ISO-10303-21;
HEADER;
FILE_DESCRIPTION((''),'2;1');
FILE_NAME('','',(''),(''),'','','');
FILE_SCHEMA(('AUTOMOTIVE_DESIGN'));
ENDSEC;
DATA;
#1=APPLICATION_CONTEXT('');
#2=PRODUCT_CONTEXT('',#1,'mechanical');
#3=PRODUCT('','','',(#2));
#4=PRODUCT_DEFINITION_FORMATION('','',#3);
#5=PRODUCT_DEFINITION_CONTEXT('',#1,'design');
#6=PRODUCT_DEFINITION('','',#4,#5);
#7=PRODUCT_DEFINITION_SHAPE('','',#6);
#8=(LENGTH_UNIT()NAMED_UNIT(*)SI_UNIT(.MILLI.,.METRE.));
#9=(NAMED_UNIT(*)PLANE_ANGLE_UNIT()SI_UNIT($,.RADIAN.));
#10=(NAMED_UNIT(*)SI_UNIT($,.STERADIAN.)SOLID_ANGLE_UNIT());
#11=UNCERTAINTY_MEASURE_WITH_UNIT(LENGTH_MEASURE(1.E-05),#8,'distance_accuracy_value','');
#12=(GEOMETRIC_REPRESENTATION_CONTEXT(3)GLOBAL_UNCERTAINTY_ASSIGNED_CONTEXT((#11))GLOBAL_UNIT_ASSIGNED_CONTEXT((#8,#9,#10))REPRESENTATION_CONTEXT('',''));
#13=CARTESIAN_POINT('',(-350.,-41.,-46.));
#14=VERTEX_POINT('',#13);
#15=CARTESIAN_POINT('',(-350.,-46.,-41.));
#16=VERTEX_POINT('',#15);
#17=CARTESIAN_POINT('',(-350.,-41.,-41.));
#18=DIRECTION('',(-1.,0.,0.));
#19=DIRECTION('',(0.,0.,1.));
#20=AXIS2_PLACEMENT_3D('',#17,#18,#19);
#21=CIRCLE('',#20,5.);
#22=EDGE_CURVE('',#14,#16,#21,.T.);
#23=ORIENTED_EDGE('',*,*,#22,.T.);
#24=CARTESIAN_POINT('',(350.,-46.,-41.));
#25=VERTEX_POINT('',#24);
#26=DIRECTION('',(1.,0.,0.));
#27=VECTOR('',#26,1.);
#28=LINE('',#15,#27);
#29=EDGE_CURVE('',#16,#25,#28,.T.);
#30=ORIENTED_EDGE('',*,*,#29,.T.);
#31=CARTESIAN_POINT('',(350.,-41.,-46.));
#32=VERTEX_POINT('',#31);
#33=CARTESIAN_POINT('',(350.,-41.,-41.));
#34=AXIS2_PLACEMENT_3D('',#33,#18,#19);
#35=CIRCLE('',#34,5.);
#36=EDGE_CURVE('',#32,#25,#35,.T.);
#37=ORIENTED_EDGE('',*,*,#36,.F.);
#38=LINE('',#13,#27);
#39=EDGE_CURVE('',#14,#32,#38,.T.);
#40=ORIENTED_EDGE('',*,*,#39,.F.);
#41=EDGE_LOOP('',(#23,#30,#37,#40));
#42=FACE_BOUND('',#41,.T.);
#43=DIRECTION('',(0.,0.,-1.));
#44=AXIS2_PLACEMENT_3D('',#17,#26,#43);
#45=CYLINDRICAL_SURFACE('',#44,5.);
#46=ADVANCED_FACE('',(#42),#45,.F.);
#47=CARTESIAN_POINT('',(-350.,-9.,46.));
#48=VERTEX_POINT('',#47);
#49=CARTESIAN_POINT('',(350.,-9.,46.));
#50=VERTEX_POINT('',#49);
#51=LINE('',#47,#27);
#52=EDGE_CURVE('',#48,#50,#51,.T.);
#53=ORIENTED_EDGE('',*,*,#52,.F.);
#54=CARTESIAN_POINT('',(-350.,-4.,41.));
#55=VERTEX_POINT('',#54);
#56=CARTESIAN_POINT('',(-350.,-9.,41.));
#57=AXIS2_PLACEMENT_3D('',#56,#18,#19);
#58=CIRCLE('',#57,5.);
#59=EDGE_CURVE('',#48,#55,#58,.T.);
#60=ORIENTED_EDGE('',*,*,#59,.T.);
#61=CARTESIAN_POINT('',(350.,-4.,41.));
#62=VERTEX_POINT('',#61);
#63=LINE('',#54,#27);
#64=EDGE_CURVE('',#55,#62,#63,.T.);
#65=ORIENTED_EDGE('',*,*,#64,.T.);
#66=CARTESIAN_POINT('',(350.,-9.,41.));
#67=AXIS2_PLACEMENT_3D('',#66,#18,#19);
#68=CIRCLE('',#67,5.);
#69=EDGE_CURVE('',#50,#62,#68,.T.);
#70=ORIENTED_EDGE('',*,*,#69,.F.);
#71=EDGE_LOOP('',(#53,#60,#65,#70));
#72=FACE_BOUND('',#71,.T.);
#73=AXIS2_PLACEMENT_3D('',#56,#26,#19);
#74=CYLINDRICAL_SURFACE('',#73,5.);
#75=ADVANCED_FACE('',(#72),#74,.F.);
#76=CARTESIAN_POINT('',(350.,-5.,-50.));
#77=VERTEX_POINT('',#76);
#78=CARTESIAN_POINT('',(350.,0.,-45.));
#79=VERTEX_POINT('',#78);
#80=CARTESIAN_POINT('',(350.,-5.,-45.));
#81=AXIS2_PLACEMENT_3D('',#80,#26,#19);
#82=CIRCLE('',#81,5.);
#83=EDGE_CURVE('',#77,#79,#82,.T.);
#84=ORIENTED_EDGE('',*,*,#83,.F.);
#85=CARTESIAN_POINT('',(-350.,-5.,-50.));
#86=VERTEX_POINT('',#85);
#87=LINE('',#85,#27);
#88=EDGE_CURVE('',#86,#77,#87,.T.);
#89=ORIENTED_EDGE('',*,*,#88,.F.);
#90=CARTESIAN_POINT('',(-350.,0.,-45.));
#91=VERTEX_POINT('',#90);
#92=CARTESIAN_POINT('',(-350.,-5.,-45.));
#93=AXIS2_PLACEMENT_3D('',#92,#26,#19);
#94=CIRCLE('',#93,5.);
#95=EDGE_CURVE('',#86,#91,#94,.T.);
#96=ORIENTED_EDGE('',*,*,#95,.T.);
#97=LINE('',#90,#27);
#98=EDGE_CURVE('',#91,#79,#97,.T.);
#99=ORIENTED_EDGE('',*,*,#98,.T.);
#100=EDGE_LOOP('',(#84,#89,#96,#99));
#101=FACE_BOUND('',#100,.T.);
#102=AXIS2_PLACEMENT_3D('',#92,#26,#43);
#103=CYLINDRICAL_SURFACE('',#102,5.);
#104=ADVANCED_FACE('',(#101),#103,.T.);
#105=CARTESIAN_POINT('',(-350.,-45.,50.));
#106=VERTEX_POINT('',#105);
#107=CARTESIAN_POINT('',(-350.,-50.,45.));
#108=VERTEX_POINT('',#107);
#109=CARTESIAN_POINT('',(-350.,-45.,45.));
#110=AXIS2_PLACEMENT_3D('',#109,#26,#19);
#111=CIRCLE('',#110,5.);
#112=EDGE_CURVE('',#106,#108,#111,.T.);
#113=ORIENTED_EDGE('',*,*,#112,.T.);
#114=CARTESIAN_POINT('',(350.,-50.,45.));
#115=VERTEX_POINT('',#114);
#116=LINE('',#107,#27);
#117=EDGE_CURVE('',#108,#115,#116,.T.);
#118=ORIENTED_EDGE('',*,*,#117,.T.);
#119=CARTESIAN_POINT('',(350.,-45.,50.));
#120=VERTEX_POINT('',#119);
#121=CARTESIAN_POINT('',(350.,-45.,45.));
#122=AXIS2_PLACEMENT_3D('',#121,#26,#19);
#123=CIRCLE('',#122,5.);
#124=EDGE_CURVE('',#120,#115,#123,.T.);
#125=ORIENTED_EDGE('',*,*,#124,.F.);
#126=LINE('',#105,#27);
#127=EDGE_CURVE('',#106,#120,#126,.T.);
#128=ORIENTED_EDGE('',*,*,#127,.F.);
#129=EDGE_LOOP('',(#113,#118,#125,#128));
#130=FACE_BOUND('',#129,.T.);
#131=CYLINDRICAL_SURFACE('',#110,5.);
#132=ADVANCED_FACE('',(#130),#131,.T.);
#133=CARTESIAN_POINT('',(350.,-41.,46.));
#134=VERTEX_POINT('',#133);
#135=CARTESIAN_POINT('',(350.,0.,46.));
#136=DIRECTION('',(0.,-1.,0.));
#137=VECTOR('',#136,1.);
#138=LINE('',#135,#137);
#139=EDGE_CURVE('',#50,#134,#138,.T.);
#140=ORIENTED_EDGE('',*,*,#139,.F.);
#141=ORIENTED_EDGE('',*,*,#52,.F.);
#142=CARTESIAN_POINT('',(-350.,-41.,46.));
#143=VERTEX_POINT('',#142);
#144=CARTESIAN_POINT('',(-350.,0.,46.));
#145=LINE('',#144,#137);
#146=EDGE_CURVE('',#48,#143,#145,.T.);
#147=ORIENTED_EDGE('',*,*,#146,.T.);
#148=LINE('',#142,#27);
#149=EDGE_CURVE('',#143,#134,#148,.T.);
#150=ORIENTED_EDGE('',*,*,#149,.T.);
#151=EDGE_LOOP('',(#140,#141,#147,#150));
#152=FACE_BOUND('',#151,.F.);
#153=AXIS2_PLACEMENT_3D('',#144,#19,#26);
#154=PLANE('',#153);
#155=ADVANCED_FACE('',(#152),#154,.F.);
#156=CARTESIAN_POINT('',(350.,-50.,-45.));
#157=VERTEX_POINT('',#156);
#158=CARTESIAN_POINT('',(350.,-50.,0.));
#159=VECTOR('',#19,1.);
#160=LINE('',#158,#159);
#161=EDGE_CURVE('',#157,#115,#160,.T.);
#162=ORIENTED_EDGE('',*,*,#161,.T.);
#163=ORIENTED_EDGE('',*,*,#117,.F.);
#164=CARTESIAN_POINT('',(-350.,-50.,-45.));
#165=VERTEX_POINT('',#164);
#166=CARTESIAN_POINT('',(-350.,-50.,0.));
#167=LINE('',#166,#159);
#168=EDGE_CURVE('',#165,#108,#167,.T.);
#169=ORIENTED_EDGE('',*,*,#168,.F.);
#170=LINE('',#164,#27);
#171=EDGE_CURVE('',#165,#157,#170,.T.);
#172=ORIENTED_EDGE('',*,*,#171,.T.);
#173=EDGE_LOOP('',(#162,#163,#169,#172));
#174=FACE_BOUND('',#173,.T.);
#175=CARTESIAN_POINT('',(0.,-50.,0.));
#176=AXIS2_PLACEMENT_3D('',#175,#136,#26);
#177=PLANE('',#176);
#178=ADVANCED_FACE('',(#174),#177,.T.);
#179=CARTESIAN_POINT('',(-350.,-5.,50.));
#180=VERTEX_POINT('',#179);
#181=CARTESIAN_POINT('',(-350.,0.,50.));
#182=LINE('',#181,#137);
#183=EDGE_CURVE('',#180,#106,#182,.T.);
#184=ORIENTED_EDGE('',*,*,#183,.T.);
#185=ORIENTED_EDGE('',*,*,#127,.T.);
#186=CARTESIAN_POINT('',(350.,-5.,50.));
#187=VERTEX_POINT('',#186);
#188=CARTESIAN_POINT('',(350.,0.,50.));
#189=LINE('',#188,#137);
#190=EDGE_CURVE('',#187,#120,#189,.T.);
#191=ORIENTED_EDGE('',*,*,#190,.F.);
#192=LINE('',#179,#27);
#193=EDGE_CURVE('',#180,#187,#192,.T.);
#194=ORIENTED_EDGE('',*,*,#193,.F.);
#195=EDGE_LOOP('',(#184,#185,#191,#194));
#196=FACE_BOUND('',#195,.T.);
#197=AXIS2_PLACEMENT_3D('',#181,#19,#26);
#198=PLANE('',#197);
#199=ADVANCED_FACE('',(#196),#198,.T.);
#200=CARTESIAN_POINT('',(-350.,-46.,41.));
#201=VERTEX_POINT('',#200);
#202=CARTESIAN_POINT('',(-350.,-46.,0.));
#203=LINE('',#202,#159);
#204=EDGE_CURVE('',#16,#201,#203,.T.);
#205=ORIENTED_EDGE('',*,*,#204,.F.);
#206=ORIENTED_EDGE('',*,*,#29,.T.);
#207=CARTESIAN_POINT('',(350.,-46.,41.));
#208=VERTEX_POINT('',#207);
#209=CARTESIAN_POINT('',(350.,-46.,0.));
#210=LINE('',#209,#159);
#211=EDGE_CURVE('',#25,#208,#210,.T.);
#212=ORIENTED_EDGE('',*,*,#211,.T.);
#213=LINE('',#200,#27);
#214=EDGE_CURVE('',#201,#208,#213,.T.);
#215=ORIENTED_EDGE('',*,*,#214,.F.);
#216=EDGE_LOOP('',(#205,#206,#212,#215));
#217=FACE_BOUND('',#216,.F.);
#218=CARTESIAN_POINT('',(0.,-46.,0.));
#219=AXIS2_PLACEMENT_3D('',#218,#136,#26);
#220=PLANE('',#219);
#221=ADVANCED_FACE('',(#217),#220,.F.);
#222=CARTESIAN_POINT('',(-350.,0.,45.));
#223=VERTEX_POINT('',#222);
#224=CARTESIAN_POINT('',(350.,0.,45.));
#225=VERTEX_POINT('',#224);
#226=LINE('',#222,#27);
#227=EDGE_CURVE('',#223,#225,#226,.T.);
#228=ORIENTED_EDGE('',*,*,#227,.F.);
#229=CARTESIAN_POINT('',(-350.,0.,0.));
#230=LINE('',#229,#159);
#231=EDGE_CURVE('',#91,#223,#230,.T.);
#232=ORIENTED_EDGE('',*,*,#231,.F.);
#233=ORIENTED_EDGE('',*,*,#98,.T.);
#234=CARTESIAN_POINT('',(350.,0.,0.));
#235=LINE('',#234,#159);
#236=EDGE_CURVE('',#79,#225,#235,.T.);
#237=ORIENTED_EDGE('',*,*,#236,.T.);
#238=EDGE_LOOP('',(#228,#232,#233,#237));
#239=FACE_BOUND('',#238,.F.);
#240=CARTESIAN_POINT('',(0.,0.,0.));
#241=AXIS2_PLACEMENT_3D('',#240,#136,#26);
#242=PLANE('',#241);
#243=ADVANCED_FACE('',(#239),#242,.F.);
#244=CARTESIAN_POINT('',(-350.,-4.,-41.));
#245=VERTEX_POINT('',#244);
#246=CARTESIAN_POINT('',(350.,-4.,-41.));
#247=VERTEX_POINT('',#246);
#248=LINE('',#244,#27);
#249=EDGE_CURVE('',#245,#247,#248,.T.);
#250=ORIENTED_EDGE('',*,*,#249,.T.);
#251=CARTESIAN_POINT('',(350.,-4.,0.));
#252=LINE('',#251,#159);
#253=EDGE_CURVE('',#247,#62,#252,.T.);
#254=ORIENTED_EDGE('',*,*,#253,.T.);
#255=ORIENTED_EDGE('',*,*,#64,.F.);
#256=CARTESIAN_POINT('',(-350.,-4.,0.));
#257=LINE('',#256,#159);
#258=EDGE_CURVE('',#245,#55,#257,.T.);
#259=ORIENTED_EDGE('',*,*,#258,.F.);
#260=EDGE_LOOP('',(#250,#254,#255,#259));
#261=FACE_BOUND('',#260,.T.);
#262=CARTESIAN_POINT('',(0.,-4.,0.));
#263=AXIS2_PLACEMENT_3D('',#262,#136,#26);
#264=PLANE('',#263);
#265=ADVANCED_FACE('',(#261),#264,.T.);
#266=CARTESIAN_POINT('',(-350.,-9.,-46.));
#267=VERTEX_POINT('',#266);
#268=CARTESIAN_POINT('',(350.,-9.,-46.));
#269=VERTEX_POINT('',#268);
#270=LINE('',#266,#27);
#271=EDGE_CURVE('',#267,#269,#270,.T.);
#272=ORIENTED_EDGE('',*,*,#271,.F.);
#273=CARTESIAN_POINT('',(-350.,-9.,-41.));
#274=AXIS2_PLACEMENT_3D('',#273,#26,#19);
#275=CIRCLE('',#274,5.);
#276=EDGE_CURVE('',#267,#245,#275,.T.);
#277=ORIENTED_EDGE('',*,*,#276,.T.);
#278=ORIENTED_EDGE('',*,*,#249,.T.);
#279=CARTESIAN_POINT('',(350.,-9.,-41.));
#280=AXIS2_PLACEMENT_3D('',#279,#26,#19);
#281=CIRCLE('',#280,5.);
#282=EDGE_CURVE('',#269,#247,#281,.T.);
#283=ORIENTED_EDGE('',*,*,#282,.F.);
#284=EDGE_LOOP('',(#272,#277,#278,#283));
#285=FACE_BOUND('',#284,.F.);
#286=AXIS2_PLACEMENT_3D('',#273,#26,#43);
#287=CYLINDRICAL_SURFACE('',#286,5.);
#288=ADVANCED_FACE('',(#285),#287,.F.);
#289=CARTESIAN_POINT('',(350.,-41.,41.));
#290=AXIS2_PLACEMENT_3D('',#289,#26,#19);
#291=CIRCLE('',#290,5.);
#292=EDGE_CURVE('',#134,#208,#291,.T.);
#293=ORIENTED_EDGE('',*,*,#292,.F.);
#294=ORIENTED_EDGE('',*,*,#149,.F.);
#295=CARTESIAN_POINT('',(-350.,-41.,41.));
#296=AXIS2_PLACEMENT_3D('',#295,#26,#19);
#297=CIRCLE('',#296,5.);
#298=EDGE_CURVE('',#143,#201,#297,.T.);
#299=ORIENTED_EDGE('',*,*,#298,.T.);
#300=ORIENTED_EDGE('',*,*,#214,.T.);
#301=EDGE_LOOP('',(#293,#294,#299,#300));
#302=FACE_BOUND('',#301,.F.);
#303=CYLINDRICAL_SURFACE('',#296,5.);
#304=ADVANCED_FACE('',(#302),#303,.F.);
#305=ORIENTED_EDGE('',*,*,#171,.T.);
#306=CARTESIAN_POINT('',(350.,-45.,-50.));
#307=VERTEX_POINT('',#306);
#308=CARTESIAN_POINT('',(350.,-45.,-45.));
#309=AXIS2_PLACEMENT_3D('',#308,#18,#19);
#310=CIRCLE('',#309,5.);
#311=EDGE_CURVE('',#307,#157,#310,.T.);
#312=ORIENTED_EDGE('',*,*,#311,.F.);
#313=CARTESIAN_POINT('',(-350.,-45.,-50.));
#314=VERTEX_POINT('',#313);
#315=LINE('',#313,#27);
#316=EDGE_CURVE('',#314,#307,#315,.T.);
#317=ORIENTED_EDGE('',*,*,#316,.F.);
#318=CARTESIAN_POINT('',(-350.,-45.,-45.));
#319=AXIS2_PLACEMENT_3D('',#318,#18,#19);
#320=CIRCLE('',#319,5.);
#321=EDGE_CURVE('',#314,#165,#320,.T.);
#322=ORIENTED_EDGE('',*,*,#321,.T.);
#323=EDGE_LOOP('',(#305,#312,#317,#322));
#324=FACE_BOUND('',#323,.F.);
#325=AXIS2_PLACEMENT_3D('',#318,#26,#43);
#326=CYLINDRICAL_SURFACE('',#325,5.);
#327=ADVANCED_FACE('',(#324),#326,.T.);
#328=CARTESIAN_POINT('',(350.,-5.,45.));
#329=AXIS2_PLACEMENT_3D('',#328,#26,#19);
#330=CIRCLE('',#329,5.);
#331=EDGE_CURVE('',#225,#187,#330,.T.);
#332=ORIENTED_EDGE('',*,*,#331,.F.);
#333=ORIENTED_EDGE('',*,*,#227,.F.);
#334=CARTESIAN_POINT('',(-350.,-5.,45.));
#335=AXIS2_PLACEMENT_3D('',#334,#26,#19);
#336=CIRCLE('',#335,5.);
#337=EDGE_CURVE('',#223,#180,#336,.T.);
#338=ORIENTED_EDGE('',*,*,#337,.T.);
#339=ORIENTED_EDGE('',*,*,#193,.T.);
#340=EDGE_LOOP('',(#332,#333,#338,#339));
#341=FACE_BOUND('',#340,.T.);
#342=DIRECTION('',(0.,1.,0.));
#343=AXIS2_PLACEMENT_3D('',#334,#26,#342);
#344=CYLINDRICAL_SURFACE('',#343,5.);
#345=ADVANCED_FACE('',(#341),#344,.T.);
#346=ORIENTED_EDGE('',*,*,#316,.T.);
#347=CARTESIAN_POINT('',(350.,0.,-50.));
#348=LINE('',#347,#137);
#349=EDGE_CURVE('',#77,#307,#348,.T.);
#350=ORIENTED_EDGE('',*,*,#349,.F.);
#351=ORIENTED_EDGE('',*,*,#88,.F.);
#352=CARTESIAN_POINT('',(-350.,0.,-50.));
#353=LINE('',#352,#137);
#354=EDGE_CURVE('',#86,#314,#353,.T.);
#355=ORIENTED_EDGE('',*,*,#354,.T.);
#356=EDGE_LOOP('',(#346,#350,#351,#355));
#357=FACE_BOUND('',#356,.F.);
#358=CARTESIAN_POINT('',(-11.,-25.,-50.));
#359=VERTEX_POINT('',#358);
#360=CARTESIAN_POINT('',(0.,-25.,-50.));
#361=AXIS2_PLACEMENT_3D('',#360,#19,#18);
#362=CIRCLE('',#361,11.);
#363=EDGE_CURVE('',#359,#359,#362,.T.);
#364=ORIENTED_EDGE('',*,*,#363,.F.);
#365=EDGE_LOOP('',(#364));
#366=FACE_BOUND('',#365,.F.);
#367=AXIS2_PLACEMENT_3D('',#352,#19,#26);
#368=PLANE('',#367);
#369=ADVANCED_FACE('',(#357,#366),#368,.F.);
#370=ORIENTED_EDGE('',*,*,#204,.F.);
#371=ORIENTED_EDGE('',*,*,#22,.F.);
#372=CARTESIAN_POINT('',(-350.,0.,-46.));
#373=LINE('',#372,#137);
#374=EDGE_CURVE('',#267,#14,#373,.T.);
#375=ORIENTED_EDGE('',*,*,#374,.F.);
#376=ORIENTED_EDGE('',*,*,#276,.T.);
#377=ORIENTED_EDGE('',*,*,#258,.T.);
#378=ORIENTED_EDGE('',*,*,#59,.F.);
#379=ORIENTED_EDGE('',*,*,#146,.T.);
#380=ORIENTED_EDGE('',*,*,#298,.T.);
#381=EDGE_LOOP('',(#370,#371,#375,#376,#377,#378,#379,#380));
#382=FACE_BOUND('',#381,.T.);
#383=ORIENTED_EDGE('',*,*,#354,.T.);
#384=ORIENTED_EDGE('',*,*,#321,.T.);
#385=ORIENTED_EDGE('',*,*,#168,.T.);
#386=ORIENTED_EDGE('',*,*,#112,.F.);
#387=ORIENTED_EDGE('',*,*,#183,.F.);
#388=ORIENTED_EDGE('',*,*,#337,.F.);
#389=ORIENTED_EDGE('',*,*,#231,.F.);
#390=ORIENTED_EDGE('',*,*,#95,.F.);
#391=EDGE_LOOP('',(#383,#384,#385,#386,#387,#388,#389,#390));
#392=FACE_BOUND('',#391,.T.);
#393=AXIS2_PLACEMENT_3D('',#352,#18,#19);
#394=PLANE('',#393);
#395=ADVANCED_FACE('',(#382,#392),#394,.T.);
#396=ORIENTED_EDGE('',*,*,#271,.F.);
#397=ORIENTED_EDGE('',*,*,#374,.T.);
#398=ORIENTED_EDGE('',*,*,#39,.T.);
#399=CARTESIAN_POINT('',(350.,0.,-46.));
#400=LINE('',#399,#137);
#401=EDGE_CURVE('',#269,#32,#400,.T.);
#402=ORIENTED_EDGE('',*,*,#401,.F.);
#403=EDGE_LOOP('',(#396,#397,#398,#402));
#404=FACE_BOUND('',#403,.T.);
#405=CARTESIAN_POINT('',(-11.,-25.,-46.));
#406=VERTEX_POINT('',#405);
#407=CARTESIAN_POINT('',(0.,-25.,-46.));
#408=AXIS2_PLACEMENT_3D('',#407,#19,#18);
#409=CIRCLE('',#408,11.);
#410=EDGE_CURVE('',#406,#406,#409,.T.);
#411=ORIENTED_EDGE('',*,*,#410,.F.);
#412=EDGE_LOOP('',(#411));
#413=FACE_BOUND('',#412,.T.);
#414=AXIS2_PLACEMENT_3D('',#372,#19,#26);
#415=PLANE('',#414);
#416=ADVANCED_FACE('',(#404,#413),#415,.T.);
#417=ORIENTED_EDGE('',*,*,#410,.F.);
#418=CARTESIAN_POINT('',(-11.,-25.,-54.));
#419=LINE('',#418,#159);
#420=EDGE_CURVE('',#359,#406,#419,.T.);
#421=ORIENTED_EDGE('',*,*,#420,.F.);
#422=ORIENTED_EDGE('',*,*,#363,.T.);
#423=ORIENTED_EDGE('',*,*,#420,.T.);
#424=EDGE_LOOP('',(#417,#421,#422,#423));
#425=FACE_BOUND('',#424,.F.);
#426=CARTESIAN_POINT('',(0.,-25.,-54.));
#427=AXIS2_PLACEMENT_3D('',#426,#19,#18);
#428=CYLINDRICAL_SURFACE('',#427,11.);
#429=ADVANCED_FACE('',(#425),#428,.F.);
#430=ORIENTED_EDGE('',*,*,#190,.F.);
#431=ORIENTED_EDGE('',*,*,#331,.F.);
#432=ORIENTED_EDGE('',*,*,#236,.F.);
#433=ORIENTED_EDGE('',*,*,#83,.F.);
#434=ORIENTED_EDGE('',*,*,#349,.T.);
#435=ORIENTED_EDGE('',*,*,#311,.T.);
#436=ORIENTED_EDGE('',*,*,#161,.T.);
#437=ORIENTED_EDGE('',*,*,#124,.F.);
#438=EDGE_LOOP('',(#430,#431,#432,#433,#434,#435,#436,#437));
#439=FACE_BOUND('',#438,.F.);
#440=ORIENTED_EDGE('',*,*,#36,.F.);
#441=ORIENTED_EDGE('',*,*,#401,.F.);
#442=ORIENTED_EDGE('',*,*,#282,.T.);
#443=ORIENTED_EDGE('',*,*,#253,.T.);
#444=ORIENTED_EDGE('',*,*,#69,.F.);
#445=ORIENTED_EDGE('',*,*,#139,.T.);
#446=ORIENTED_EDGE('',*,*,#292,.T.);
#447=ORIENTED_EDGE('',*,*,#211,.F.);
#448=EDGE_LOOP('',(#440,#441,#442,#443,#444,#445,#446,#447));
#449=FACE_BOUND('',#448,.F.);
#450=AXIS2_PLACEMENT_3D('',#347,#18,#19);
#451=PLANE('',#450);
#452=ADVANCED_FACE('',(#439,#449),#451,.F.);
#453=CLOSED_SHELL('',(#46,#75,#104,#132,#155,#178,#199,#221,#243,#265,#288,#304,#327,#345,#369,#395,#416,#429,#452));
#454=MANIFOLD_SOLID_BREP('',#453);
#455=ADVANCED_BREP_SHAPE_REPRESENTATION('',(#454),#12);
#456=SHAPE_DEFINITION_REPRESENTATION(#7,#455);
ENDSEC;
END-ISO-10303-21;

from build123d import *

# Parameters (mm, degrees)
F0_W     = 700
F0_H     = 100
F1_DEPTH = 50
F2_T     = -4
F3_R     = 5
F5_D     = 22
F5_DEPTH = 4
F5_TIP   = 6.6094668093


with BuildPart() as f1:
    # F0 (on Front) → F1 (new body)
    with BuildSketch(Plane.XZ):
        Rectangle(F0_W, F0_H)
    extrude(amount=F1_DEPTH)

    # F2
    f2_openings = [f1.faces().sort_by_distance(p)[0] for p in [
        (-350, -25, 0),
        (350, -25, 0),
    ]]
    offset(amount=F2_T, openings=f2_openings)

    # F3
    f3_edges = [f1.edges().sort_by_distance(p)[0] for p in [
        (0, -4, 46),
        (0, -46, 46),
        (0, 0, 50),
        (0, -50, 50),
        (0, -4, -46),
        (0, -50, -50),
        (0, -46, -46),
        (0, 0, -50),
    ]]
    fillet(f3_edges, radius=F3_R)

    # F5
    with Locations(Plane(origin=(0, 0, -50), x_dir=(1, 0, 0), z_dir=(0, 0, -1))):
        with Locations((0, 25)):
            Hole(F5_D / 2, depth=F5_DEPTH)
            with Locations((0, 0, -(F5_DEPTH + F5_TIP / 2))):  # 118° drill point
                Cone(0, F5_D / 2, F5_TIP, mode=Mode.SUBTRACT)


solid = f1.part
